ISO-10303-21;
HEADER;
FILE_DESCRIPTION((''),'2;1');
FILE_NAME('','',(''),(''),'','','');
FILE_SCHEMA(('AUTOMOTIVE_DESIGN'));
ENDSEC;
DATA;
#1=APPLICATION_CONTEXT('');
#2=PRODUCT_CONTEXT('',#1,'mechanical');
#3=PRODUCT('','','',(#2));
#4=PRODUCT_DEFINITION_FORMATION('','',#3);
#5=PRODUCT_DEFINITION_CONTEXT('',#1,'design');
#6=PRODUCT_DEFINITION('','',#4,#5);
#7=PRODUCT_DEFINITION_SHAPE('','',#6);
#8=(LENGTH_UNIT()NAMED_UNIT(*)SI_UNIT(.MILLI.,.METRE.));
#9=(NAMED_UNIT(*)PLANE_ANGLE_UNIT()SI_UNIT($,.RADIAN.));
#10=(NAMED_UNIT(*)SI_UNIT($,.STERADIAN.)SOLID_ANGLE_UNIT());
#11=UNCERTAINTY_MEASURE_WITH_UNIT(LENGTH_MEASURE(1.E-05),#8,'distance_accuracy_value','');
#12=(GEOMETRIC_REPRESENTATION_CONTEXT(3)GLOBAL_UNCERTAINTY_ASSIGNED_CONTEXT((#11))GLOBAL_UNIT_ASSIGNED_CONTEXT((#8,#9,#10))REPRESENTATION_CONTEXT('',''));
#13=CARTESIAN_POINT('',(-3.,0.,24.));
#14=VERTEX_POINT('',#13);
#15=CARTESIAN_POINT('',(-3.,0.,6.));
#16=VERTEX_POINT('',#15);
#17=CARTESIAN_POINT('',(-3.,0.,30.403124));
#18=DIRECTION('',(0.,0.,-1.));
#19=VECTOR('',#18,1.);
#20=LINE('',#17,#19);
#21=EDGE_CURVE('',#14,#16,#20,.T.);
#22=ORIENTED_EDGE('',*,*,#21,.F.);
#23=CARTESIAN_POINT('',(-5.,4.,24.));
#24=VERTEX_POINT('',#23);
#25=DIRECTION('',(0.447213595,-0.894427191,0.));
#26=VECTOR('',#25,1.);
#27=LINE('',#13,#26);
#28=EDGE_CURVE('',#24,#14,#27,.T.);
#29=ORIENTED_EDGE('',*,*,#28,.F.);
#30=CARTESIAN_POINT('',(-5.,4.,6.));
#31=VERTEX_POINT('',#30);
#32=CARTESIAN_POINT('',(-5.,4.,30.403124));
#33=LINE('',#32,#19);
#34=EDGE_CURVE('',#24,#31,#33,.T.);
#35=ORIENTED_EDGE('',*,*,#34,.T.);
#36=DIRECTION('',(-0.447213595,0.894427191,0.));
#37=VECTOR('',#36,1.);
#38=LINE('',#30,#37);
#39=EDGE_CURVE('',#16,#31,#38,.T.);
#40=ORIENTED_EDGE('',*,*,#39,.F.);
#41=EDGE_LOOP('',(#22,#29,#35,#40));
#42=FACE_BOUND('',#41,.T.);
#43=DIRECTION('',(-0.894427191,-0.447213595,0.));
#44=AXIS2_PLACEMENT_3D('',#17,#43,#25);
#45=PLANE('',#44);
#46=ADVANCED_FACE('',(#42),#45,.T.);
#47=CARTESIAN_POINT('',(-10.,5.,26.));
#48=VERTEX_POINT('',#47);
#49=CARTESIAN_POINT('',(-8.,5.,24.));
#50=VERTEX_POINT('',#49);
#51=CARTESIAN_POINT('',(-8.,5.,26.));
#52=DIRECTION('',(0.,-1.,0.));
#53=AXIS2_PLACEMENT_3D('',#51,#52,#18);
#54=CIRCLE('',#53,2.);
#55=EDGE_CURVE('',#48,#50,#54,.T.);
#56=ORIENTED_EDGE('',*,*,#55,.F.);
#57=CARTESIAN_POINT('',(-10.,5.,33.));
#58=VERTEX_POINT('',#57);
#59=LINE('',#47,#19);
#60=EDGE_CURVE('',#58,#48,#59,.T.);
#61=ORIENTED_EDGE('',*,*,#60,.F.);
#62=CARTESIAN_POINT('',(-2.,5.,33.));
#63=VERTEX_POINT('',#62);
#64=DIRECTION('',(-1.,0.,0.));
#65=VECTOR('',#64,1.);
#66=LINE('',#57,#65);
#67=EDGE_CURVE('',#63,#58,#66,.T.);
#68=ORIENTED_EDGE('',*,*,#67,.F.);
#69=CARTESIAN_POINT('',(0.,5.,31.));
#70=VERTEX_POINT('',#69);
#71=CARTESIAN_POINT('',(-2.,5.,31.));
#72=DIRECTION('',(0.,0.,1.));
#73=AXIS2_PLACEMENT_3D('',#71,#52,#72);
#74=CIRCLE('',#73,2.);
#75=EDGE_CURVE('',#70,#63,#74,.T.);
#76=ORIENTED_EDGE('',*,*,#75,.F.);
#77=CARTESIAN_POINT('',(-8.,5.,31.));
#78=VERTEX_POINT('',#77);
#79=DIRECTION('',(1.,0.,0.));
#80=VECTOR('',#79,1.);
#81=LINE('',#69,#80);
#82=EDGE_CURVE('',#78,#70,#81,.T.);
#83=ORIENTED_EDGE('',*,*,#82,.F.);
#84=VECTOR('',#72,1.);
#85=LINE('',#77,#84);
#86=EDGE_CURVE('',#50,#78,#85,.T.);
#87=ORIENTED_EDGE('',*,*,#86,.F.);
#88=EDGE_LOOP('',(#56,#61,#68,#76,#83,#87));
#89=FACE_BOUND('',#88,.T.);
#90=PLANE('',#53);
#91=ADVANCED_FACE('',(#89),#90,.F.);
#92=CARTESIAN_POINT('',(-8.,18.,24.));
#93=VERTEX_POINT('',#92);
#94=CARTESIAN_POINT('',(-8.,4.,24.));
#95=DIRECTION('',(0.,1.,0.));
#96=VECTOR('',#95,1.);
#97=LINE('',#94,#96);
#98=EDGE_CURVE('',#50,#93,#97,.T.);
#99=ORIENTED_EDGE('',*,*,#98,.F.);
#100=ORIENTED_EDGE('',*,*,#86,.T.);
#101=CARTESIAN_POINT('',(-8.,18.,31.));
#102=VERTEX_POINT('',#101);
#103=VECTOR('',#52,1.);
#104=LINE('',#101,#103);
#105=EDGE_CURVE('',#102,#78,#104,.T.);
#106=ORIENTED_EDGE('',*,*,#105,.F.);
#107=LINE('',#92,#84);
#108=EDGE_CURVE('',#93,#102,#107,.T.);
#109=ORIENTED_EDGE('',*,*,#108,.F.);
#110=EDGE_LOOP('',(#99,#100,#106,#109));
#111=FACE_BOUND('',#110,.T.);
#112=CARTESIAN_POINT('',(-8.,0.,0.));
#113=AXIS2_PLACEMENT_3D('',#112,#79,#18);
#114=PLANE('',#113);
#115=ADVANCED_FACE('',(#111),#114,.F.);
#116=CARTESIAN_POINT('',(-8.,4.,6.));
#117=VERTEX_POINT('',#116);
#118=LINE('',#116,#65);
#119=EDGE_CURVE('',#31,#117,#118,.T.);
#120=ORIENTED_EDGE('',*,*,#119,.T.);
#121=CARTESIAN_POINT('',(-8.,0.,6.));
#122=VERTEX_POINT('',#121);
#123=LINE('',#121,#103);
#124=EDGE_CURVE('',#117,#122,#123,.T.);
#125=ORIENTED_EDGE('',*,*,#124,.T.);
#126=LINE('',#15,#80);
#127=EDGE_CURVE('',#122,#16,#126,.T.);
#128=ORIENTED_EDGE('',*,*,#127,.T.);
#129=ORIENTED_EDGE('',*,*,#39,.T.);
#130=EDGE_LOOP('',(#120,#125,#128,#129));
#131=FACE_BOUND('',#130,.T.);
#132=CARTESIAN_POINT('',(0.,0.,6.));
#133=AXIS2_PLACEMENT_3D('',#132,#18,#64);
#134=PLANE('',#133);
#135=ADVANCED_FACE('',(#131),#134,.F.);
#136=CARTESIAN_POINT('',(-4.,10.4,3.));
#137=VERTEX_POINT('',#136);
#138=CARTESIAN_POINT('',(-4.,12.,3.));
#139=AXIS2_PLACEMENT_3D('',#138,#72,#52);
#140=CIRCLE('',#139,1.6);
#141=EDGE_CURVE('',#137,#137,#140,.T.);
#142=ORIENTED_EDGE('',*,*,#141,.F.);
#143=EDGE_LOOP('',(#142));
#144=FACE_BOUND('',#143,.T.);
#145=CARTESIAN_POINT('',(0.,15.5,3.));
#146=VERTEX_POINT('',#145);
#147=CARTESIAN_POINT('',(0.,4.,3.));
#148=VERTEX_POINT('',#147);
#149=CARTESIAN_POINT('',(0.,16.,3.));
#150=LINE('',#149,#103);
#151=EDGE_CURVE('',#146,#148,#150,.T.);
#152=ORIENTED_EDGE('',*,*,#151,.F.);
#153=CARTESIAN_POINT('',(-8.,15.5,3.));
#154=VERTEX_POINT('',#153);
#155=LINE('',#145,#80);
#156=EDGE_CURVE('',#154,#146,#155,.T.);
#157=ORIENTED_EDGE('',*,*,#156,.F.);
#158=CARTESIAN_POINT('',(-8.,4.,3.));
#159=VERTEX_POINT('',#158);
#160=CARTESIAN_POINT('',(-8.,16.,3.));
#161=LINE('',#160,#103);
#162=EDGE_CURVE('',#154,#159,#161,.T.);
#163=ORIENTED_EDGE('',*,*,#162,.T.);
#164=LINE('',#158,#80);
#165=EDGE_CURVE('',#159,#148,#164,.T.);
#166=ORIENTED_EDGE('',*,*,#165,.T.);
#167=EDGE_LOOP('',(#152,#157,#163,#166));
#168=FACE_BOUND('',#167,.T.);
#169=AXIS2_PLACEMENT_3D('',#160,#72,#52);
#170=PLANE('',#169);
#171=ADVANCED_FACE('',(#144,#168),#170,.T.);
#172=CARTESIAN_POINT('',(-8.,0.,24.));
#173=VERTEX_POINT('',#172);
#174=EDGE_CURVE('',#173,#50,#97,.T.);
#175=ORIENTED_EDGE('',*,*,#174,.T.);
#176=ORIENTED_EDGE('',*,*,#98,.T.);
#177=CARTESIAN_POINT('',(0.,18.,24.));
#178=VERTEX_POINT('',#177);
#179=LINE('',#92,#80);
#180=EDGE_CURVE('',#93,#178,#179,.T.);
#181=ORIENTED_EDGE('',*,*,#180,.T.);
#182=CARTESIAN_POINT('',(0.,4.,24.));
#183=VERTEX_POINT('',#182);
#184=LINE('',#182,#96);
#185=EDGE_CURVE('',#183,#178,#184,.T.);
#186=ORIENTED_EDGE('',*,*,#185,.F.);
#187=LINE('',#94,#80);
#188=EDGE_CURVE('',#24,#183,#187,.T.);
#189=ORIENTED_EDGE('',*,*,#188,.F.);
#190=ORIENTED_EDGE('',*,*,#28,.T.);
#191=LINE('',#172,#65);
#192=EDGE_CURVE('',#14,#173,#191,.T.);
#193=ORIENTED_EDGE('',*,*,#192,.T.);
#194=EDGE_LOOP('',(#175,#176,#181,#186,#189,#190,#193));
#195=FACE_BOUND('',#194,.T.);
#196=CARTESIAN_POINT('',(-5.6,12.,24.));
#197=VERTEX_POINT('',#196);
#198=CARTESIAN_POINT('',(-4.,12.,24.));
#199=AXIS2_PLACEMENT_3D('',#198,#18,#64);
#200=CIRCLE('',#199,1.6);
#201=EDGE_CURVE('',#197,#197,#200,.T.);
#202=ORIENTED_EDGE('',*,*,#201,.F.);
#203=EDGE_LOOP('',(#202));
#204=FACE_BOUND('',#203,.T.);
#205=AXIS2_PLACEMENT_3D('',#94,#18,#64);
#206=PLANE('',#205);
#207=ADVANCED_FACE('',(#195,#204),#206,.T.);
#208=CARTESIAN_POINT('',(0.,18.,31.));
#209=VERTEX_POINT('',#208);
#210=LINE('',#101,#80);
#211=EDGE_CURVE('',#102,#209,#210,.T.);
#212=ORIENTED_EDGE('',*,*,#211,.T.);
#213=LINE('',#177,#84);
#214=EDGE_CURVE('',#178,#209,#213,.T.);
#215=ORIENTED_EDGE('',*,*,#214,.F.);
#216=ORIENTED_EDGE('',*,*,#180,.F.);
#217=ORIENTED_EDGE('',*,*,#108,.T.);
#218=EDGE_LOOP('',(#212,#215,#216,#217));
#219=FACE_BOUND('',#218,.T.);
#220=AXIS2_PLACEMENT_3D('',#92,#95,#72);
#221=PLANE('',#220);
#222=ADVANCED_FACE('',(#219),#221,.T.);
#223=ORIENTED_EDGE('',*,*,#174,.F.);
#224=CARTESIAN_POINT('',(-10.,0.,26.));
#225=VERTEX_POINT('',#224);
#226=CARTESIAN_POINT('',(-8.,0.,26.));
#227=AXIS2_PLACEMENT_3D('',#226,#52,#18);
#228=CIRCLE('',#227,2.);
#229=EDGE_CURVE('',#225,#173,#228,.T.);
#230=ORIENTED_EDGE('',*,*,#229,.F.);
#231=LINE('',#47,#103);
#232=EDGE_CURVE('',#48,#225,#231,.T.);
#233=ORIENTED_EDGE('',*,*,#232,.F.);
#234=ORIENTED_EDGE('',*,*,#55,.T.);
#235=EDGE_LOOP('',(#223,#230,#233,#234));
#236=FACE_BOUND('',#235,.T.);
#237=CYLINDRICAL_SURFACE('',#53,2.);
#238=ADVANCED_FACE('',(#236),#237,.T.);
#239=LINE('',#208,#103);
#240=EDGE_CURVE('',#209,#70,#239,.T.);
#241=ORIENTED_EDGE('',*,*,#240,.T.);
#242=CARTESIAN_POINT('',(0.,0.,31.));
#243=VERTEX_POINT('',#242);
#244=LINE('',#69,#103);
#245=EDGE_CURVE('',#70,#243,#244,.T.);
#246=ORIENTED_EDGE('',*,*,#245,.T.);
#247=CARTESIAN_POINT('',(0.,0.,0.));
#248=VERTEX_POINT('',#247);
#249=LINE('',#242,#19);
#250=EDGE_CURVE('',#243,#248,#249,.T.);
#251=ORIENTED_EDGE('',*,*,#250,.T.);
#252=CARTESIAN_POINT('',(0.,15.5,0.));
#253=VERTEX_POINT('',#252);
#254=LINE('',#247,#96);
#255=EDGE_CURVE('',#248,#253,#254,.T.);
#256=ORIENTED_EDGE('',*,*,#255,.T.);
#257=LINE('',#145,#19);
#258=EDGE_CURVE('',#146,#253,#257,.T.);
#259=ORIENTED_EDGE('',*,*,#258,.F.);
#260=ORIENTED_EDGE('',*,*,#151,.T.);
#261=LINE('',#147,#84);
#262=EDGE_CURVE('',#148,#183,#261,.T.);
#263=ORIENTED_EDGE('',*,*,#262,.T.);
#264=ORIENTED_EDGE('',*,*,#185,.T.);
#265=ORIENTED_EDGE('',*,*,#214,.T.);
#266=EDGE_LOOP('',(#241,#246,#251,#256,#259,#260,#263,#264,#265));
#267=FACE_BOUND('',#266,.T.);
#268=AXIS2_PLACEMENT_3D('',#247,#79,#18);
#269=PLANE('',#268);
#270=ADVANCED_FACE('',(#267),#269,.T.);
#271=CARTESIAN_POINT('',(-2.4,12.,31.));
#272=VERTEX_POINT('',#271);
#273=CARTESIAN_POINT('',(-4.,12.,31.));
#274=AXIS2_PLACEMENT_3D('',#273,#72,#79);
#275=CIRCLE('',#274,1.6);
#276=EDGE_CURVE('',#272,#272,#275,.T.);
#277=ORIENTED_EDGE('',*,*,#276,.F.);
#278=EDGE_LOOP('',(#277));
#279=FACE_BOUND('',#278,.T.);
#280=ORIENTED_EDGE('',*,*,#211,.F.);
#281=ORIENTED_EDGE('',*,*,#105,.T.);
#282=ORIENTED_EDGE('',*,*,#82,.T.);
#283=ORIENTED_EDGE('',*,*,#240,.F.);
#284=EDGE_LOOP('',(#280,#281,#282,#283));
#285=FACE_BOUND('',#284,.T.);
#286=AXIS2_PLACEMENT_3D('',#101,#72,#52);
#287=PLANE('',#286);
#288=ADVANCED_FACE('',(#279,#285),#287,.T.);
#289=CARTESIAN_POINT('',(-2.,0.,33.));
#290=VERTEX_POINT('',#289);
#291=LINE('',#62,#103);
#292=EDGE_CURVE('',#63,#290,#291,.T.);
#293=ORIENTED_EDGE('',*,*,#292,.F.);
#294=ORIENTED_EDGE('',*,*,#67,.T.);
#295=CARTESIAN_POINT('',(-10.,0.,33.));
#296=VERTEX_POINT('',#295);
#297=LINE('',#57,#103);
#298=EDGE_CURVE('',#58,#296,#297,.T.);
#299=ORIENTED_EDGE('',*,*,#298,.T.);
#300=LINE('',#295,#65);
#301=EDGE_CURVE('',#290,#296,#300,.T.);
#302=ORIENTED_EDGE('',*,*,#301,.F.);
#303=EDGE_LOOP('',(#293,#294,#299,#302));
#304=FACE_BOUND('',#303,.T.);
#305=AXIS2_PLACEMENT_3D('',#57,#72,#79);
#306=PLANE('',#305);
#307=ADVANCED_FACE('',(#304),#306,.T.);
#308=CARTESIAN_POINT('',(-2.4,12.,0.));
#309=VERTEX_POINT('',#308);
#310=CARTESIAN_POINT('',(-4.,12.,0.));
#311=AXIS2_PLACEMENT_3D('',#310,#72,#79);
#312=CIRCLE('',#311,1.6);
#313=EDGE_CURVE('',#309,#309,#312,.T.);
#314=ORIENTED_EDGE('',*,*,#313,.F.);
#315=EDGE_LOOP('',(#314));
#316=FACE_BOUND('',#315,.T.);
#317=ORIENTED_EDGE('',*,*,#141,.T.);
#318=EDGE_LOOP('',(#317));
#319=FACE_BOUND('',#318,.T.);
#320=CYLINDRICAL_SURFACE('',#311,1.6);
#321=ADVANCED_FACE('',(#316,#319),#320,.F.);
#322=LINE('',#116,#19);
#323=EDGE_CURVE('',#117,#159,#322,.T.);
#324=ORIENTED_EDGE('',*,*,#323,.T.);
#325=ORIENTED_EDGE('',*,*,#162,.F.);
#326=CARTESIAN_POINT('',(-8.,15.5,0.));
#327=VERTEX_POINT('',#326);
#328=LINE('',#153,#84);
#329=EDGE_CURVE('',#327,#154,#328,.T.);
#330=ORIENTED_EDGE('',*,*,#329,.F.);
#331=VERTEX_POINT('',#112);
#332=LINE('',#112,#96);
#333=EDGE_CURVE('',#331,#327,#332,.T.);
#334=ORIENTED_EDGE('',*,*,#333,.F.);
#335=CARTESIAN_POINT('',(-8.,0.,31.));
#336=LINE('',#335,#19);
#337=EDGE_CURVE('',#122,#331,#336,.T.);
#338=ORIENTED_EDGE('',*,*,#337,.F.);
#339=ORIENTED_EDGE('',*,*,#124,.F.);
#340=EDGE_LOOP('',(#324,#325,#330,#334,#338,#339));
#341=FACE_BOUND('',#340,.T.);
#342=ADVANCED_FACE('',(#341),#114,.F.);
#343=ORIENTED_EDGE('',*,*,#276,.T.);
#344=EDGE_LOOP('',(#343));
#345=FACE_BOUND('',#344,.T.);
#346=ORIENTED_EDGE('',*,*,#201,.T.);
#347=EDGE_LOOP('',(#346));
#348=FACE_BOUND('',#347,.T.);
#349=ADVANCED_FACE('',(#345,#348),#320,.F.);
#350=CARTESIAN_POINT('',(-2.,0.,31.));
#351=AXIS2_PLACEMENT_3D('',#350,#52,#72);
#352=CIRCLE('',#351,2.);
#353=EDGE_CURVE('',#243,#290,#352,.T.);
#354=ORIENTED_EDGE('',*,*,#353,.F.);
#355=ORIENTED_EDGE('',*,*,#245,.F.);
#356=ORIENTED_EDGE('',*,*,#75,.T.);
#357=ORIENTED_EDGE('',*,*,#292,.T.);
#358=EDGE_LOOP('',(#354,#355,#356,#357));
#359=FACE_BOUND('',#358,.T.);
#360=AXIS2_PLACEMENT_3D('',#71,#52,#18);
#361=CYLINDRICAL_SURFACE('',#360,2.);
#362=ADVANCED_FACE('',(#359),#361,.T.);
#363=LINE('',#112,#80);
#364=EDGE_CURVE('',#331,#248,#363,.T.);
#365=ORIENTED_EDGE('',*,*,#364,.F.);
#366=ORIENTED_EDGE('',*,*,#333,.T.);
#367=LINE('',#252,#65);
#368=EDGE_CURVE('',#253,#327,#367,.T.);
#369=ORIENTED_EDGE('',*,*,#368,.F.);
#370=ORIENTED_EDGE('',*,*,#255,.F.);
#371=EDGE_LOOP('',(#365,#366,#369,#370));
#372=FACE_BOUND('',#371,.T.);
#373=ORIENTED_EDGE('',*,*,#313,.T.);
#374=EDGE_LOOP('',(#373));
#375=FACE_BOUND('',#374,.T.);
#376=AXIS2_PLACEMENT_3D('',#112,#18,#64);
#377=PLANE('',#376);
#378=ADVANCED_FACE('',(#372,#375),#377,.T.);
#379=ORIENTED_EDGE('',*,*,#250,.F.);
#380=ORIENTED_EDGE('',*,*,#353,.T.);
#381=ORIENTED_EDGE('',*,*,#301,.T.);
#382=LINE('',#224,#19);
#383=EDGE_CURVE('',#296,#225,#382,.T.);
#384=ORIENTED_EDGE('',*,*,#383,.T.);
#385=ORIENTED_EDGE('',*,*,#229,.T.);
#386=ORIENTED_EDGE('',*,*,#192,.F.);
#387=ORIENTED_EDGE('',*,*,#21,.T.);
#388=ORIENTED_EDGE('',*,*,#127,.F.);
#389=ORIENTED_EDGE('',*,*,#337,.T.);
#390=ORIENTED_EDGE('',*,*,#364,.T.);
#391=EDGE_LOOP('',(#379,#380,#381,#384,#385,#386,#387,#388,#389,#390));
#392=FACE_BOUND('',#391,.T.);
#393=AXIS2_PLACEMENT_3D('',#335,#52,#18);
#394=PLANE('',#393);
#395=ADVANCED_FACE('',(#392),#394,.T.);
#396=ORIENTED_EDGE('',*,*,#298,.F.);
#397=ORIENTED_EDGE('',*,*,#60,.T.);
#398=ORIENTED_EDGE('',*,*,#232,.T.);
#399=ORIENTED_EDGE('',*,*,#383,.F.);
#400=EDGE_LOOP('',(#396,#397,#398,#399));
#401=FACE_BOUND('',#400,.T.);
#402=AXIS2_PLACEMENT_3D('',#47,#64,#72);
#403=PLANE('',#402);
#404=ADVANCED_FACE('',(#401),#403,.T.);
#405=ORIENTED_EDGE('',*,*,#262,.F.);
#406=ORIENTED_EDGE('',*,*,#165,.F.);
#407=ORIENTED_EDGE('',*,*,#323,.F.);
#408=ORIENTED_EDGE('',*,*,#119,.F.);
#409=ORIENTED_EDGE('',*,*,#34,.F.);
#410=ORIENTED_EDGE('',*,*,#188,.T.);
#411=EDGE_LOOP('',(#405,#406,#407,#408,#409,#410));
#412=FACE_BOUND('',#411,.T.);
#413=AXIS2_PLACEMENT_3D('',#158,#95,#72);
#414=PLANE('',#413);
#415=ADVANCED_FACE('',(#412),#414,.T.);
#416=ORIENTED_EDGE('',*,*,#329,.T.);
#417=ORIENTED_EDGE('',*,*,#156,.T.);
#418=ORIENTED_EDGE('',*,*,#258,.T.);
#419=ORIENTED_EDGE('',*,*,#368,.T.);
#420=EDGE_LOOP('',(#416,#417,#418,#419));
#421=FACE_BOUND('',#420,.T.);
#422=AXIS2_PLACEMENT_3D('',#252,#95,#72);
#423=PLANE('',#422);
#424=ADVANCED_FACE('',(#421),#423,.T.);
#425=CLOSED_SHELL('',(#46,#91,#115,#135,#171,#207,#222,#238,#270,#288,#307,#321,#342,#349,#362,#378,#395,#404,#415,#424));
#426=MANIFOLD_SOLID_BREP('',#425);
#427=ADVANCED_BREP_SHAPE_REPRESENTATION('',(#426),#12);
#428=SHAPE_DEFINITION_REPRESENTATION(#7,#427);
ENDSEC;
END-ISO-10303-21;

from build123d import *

# Parameters (mm, degrees)
BOSS_EXTRUDE1_DEPTH = 8
CUT_EXTRUDE2_DEPTH  = 21
BOSS_EXTRUDE2_DEPTH = 3
BOSS_EXTRUDE5_DEPTH = 5
SKETCH6_R           = 1.6
CUT_EXTRUDE3_DEPTH  = 38.215588132
SKETCH12_W          = 8
SKETCH12_H          = 3
CUT_EXTRUDE4_DEPTH  = 0.5


with BuildPart() as part:
    # Sketch1 → Boss-Extrude1 (new body)
    with BuildSketch(Plane(origin=(0, 0, 0), x_dir=(0, 0, -1), z_dir=(1, 0, 0))):
        Polygon((0, 0), (0, 16), (-3, 16), (-3, 4), (-24, 4), (-24, 18), (-31, 18), (-31, 0), align=None)
    extrude(amount=-BOSS_EXTRUDE1_DEPTH)

    # Sketch5 → Cut-Extrude2 (cut)
    with BuildSketch(Plane.XY.offset(3)):
        Polygon((-8, 0), (-3, 0), (-5, 4), (-8, 4), align=None)
    extrude(amount=CUT_EXTRUDE2_DEPTH, mode=Mode.SUBTRACT)

    # Sketch8 → Boss-Extrude2 (add)
    with BuildSketch(Plane.XY.offset(3)):
        Polygon((-8, 4), (-5, 4), (-3, 0), (-8, 0), align=None)
    extrude(amount=BOSS_EXTRUDE2_DEPTH)

    # Sketch11 → Boss-Extrude5 (add)
    with BuildSketch(Plane.XZ):
        with BuildLine():
            Line((-10, 26), (-10, 33))
            Line((-10, 33), (-2, 33))
            ThreePointArc((-2, 33), (-0.585786438, 32.414213562), (0, 31))
            Line((0, 31), (-8, 31))
            Line((-8, 31), (-8, 24))
            ThreePointArc((-8, 24), (-9.414213562, 24.585786438), (-10, 26))
        make_face()
    extrude(amount=-BOSS_EXTRUDE5_DEPTH)

    # Sketch6 → Cut-Extrude3 (cut, through all)
    with BuildSketch(Plane.XY.offset(31)):
        with Locations((-4, 12)):
            Circle(SKETCH6_R)
    extrude(amount=-CUT_EXTRUDE3_DEPTH, mode=Mode.SUBTRACT)

    # Sketch12 → Cut-Extrude4 (cut)
    with BuildSketch(Plane(origin=(0, 16, 0), x_dir=(1, 0, 0), z_dir=(0, 1, 0))):
        with Locations((-4, -1.5)):
            Rectangle(SKETCH12_W, SKETCH12_H)
    extrude(amount=-CUT_EXTRUDE4_DEPTH, mode=Mode.SUBTRACT)


solid = part.part
